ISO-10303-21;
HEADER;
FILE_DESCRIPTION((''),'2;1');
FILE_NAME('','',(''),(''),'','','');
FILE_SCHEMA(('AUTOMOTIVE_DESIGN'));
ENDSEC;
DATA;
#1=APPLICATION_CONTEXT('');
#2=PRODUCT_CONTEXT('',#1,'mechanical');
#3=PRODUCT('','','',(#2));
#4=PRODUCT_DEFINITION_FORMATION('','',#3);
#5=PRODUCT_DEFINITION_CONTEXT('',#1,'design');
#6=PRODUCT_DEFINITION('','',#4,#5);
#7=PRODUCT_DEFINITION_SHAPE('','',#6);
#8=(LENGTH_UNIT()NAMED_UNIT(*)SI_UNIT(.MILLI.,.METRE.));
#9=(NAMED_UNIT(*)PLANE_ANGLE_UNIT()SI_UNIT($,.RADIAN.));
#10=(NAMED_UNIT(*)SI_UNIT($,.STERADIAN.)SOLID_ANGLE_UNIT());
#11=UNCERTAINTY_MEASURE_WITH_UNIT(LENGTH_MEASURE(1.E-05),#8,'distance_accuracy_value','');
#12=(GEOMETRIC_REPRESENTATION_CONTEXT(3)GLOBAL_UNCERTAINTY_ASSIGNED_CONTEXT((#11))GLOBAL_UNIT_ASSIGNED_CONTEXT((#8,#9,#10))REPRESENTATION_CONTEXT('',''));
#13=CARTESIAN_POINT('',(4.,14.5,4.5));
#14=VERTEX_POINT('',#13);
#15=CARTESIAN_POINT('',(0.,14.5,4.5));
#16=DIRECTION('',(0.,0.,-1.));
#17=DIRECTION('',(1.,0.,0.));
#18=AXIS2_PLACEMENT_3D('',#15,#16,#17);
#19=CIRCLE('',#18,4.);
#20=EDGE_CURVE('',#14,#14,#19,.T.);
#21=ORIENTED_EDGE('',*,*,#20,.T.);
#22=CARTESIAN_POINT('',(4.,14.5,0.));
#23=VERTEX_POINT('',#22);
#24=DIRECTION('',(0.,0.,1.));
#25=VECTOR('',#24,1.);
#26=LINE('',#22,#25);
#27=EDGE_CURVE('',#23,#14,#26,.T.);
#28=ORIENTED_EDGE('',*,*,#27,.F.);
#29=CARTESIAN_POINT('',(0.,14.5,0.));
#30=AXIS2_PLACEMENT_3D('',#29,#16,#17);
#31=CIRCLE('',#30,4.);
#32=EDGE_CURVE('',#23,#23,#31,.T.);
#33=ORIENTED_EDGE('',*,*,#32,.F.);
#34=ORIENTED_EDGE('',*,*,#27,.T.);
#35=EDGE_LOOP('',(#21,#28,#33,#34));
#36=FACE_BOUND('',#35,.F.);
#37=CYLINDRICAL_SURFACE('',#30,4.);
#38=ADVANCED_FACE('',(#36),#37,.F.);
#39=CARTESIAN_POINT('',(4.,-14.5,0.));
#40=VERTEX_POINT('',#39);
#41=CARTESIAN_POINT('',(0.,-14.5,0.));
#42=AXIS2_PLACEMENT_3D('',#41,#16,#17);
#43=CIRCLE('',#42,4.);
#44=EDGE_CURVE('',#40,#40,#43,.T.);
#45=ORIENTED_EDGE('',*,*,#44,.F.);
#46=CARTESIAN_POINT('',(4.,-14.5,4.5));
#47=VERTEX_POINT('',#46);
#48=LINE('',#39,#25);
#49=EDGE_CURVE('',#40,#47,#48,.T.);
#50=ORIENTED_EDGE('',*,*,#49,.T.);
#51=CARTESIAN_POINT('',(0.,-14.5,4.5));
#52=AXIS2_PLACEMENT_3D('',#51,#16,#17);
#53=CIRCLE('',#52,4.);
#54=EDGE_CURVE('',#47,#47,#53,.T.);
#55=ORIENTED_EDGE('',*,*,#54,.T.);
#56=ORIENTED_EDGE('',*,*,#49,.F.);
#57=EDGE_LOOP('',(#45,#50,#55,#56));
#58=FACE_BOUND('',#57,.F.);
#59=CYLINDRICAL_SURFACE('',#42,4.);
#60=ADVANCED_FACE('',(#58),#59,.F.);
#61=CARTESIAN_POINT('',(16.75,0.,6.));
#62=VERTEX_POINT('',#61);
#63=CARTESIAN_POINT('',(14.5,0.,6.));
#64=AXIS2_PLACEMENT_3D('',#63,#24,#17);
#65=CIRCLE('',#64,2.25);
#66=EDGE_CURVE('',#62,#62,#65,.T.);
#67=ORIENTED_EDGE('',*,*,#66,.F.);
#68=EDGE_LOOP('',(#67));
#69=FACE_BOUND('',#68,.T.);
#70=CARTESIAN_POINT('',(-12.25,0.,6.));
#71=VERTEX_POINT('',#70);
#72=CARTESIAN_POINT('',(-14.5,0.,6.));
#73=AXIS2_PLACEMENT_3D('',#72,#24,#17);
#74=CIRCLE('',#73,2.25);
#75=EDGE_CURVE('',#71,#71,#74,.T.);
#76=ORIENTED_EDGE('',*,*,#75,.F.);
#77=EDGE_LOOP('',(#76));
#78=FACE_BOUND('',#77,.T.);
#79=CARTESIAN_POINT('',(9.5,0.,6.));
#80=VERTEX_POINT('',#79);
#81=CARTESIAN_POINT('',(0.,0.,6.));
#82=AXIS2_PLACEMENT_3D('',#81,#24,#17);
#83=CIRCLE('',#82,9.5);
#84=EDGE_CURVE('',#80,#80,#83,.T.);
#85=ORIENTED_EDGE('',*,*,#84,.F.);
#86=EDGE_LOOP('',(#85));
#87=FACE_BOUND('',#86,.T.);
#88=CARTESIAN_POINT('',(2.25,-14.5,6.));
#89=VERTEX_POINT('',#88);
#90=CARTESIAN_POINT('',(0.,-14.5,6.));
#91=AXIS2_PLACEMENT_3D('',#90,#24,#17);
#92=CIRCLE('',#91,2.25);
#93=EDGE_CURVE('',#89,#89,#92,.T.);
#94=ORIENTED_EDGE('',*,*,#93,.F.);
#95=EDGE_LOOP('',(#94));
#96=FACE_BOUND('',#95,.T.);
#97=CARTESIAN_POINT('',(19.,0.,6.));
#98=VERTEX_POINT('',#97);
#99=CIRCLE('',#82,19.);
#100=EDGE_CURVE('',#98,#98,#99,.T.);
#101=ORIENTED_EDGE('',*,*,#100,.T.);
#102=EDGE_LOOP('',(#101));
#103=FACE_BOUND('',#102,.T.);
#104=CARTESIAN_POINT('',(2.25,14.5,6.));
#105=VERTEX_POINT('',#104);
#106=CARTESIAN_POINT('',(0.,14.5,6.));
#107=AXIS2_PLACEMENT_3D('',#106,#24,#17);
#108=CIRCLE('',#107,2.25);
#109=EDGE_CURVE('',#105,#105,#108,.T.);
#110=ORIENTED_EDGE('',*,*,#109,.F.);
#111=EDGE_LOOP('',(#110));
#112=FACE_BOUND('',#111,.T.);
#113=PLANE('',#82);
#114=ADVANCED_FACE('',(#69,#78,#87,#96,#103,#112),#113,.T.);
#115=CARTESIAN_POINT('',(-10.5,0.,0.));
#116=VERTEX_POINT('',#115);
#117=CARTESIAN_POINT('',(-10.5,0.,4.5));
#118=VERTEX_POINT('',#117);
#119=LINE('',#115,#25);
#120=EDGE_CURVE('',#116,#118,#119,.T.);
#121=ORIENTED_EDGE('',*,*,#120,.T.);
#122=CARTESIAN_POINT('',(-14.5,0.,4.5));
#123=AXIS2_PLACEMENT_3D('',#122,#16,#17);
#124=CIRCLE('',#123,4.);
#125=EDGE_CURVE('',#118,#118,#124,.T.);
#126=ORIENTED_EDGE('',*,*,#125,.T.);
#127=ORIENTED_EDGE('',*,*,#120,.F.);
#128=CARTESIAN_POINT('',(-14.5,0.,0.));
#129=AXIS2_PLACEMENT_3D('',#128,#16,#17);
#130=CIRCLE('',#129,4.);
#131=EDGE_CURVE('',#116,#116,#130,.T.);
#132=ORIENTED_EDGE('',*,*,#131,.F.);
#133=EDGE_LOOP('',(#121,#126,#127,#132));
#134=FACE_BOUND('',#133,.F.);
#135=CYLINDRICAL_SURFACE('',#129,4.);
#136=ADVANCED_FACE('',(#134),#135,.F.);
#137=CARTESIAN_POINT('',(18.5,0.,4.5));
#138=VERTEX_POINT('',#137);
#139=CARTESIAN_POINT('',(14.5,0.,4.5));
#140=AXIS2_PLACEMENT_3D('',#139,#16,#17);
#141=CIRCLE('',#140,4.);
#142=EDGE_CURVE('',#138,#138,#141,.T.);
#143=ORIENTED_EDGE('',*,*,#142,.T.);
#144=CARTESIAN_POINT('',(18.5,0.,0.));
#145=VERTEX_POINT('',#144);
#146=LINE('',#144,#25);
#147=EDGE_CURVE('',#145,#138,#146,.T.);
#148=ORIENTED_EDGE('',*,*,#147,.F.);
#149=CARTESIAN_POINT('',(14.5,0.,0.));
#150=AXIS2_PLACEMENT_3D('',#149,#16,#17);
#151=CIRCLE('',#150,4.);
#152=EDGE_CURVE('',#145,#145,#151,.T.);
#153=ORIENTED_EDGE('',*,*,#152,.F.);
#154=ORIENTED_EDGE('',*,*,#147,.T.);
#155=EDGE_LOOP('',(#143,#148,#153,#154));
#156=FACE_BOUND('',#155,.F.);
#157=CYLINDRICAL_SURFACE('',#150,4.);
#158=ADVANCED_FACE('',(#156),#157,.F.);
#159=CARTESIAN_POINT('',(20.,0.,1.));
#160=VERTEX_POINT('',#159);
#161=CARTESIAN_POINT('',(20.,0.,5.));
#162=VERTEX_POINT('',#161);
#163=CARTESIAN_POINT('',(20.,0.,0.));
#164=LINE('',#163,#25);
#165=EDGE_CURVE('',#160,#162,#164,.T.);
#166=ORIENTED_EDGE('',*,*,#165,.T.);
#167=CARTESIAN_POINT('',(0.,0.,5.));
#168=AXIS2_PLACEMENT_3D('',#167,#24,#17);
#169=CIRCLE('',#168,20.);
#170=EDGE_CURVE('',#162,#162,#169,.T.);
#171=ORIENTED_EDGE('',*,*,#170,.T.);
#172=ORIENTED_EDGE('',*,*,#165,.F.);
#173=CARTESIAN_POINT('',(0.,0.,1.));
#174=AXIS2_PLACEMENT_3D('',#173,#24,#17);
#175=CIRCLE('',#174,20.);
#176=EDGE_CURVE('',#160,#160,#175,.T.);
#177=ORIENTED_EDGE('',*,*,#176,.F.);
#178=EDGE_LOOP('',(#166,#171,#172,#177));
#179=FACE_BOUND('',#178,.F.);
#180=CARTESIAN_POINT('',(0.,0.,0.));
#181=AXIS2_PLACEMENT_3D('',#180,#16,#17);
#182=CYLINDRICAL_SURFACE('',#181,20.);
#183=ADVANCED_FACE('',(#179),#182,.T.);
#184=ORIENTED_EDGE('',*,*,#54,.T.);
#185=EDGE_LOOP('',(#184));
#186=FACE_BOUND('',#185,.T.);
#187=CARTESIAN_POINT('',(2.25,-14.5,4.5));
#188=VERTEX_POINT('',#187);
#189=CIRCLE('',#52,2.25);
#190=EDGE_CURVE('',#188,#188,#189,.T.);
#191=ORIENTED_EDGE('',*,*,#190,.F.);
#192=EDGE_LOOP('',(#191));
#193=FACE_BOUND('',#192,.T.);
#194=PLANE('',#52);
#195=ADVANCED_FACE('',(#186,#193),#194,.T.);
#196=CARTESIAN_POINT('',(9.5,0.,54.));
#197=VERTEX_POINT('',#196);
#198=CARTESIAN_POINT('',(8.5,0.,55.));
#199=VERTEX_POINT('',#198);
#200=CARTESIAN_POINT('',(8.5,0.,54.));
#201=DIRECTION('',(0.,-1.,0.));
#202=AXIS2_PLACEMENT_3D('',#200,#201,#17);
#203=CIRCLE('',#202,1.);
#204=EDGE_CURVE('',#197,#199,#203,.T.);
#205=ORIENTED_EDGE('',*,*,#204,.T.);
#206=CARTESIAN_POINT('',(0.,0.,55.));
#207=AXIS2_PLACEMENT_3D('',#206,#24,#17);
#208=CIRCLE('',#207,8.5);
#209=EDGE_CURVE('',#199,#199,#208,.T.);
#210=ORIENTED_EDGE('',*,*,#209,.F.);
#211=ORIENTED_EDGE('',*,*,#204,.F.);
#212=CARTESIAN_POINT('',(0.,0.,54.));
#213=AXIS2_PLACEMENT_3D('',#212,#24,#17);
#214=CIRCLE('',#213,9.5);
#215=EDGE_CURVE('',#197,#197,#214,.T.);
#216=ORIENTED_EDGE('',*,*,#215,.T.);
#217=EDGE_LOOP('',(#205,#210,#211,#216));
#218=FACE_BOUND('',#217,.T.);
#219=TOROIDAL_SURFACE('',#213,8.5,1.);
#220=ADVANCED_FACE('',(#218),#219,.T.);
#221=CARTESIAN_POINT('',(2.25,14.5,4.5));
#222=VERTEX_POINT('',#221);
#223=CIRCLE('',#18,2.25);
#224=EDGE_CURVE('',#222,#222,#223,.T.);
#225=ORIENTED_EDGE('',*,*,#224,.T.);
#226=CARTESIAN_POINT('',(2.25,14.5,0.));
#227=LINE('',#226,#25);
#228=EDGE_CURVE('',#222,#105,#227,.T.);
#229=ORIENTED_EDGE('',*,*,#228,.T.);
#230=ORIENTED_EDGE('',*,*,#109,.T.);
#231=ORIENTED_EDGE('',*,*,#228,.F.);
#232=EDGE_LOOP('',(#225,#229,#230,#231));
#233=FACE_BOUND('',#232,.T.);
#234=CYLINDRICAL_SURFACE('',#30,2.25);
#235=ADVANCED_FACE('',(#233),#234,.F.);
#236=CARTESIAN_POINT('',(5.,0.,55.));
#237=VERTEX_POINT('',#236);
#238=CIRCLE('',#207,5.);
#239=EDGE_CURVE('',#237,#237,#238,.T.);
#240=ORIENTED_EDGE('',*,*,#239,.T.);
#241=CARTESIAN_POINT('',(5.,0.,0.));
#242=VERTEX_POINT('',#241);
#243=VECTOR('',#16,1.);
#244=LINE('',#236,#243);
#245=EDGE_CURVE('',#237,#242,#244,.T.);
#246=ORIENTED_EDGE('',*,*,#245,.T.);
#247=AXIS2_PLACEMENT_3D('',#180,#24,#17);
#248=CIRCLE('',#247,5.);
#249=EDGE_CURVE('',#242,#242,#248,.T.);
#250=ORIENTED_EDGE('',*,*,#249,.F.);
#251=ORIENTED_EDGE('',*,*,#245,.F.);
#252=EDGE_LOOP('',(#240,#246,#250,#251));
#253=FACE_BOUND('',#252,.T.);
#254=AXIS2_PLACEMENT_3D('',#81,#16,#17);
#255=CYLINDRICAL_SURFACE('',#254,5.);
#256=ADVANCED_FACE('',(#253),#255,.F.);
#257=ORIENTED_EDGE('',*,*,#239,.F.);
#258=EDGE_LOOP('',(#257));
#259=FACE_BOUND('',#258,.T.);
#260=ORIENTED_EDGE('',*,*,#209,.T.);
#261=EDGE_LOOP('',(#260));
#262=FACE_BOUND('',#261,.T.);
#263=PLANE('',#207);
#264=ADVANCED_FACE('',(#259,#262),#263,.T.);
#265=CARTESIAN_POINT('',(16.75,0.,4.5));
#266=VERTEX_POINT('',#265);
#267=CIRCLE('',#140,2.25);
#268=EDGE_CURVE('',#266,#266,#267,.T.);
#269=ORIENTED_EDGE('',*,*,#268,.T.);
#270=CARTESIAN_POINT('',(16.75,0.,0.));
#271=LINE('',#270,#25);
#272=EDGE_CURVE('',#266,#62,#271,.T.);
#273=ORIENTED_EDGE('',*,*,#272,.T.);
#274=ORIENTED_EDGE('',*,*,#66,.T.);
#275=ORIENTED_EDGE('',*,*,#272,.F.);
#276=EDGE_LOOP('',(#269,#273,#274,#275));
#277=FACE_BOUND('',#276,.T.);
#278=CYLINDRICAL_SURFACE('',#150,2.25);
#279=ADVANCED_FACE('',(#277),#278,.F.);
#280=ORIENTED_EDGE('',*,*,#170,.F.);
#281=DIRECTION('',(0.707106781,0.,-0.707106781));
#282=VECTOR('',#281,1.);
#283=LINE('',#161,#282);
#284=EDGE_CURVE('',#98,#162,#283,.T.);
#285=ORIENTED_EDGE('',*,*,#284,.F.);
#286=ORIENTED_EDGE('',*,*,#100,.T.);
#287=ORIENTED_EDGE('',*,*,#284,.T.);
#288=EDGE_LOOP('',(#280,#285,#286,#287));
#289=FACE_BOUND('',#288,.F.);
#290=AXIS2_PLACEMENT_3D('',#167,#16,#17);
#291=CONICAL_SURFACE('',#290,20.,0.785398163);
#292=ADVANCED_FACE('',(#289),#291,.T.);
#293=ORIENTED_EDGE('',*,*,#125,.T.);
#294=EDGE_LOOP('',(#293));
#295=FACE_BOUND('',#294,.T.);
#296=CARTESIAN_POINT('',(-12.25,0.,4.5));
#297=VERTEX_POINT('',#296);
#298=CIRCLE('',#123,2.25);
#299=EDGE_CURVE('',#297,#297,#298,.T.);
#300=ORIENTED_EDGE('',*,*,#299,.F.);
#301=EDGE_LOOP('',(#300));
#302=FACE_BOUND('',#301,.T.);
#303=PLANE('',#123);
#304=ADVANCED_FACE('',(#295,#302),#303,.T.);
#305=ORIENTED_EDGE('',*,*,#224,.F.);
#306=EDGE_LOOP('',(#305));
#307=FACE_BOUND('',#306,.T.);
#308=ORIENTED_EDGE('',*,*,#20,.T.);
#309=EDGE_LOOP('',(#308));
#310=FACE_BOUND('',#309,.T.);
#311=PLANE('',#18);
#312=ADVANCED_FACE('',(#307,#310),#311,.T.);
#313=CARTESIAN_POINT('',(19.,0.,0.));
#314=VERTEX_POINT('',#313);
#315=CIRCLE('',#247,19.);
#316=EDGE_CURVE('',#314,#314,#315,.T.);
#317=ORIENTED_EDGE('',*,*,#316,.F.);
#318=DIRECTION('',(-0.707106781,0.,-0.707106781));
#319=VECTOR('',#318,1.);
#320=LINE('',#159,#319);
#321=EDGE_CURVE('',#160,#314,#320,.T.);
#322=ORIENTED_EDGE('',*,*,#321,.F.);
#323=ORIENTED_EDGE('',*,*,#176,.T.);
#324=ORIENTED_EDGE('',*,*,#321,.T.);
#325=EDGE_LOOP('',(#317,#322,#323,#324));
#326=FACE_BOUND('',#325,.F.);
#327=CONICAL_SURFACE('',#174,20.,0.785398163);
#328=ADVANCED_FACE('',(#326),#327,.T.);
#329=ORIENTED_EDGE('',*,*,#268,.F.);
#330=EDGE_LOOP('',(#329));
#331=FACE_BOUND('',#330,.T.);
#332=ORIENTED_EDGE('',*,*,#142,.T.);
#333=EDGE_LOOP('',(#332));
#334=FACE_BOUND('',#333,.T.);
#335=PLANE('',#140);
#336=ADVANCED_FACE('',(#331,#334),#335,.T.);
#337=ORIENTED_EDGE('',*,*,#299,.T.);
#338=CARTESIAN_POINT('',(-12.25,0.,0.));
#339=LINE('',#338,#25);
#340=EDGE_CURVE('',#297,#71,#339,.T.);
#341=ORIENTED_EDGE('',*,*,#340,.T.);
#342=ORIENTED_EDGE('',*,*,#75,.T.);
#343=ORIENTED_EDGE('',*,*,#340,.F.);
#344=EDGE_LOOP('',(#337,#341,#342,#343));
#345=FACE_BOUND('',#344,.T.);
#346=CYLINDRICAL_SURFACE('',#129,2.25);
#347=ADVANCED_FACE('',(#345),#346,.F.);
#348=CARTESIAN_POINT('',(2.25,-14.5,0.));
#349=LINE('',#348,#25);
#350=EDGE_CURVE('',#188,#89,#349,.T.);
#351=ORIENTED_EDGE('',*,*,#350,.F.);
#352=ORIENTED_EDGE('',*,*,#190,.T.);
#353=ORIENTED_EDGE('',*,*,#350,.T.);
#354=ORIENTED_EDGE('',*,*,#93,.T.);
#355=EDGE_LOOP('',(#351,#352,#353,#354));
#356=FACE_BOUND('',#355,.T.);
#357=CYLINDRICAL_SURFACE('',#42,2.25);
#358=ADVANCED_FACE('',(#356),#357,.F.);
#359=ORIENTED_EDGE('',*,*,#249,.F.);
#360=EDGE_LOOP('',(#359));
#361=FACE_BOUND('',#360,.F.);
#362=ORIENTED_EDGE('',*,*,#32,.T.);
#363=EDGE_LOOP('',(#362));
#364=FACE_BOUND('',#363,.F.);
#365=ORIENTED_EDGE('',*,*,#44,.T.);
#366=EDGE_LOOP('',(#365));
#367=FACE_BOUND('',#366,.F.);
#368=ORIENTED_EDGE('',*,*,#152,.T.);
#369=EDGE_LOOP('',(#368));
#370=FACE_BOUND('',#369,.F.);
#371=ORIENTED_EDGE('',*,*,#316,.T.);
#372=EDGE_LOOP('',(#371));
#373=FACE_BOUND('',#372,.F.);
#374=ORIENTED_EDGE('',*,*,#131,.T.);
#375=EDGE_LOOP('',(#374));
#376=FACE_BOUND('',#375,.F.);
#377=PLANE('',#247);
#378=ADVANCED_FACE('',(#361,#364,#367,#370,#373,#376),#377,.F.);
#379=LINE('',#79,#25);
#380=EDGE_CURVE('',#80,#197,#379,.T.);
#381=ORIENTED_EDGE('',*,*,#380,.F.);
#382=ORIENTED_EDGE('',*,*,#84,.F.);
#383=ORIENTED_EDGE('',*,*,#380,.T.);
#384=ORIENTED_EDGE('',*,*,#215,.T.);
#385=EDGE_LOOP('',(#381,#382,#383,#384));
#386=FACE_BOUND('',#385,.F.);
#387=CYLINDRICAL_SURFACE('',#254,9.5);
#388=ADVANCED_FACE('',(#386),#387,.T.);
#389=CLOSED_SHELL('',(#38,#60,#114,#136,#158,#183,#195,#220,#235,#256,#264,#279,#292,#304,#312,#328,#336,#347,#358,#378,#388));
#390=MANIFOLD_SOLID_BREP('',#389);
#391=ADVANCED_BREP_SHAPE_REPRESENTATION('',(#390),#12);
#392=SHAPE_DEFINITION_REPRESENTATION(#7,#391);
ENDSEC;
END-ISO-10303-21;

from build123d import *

# Parameters (mm, degrees)
F0_R     = 20
F0_R_2   = 2.25
F0_R_3   = 5
F1_DEPTH = 6
F2_R     = 9.5
F2_R_2   = 5
F3_DEPTH = 49
F4_R     = 4
F5_DEPTH = 4.5
F6_SIZE  = 1
F7_R     = 1


with BuildPart() as f1:
    # F0 (on Top) → F1 (new body)
    with BuildSketch(Plane.XY):
        Circle(F0_R)
        with Locations((0, -14.5)):
            Circle(F0_R_2, mode=Mode.SUBTRACT)
        with Locations((-14.5, 0)):
            Circle(F0_R_2, mode=Mode.SUBTRACT)
        Circle(F0_R_3, mode=Mode.SUBTRACT)
        with Locations((14.5, 0)):
            Circle(F0_R_2, mode=Mode.SUBTRACT)
        with Locations((0, 14.5)):
            Circle(F0_R_2, mode=Mode.SUBTRACT)
    extrude(amount=F1_DEPTH)

    # F2 (on face) → F3 (join)
    with BuildSketch(Plane.XY.offset(6)):
        Circle(F2_R)
        Circle(F2_R_2, mode=Mode.SUBTRACT)
    extrude(amount=F3_DEPTH)

    # F4 (on face) → F5 (cut)
    with BuildSketch(Plane(origin=(0, 0, 0), x_dir=(1, 0, 0), z_dir=(0, 0, -1))):
        with Locations((0, 14.5)):
            Circle(F4_R)
        with Locations((14.5, 0)):
            Circle(F4_R)
        with Locations((0, -14.5)):
            Circle(F4_R)
        with Locations((-14.5, 0)):
            Circle(F4_R)
    extrude(amount=-F5_DEPTH, mode=Mode.SUBTRACT)

    # F6
    f6_edges = [f1.edges().sort_by_distance(p)[0] for p in [
        (-20, 0, 0),
        (-20, 0, 6),
    ]]
    chamfer(f6_edges, length=F6_SIZE)

    # F7
    f7_edges = [f1.edges().sort_by_distance(p)[0] for p in [
        (-9.5, 0, 55),
    ]]
    fillet(f7_edges, radius=F7_R)


solid = f1.part
